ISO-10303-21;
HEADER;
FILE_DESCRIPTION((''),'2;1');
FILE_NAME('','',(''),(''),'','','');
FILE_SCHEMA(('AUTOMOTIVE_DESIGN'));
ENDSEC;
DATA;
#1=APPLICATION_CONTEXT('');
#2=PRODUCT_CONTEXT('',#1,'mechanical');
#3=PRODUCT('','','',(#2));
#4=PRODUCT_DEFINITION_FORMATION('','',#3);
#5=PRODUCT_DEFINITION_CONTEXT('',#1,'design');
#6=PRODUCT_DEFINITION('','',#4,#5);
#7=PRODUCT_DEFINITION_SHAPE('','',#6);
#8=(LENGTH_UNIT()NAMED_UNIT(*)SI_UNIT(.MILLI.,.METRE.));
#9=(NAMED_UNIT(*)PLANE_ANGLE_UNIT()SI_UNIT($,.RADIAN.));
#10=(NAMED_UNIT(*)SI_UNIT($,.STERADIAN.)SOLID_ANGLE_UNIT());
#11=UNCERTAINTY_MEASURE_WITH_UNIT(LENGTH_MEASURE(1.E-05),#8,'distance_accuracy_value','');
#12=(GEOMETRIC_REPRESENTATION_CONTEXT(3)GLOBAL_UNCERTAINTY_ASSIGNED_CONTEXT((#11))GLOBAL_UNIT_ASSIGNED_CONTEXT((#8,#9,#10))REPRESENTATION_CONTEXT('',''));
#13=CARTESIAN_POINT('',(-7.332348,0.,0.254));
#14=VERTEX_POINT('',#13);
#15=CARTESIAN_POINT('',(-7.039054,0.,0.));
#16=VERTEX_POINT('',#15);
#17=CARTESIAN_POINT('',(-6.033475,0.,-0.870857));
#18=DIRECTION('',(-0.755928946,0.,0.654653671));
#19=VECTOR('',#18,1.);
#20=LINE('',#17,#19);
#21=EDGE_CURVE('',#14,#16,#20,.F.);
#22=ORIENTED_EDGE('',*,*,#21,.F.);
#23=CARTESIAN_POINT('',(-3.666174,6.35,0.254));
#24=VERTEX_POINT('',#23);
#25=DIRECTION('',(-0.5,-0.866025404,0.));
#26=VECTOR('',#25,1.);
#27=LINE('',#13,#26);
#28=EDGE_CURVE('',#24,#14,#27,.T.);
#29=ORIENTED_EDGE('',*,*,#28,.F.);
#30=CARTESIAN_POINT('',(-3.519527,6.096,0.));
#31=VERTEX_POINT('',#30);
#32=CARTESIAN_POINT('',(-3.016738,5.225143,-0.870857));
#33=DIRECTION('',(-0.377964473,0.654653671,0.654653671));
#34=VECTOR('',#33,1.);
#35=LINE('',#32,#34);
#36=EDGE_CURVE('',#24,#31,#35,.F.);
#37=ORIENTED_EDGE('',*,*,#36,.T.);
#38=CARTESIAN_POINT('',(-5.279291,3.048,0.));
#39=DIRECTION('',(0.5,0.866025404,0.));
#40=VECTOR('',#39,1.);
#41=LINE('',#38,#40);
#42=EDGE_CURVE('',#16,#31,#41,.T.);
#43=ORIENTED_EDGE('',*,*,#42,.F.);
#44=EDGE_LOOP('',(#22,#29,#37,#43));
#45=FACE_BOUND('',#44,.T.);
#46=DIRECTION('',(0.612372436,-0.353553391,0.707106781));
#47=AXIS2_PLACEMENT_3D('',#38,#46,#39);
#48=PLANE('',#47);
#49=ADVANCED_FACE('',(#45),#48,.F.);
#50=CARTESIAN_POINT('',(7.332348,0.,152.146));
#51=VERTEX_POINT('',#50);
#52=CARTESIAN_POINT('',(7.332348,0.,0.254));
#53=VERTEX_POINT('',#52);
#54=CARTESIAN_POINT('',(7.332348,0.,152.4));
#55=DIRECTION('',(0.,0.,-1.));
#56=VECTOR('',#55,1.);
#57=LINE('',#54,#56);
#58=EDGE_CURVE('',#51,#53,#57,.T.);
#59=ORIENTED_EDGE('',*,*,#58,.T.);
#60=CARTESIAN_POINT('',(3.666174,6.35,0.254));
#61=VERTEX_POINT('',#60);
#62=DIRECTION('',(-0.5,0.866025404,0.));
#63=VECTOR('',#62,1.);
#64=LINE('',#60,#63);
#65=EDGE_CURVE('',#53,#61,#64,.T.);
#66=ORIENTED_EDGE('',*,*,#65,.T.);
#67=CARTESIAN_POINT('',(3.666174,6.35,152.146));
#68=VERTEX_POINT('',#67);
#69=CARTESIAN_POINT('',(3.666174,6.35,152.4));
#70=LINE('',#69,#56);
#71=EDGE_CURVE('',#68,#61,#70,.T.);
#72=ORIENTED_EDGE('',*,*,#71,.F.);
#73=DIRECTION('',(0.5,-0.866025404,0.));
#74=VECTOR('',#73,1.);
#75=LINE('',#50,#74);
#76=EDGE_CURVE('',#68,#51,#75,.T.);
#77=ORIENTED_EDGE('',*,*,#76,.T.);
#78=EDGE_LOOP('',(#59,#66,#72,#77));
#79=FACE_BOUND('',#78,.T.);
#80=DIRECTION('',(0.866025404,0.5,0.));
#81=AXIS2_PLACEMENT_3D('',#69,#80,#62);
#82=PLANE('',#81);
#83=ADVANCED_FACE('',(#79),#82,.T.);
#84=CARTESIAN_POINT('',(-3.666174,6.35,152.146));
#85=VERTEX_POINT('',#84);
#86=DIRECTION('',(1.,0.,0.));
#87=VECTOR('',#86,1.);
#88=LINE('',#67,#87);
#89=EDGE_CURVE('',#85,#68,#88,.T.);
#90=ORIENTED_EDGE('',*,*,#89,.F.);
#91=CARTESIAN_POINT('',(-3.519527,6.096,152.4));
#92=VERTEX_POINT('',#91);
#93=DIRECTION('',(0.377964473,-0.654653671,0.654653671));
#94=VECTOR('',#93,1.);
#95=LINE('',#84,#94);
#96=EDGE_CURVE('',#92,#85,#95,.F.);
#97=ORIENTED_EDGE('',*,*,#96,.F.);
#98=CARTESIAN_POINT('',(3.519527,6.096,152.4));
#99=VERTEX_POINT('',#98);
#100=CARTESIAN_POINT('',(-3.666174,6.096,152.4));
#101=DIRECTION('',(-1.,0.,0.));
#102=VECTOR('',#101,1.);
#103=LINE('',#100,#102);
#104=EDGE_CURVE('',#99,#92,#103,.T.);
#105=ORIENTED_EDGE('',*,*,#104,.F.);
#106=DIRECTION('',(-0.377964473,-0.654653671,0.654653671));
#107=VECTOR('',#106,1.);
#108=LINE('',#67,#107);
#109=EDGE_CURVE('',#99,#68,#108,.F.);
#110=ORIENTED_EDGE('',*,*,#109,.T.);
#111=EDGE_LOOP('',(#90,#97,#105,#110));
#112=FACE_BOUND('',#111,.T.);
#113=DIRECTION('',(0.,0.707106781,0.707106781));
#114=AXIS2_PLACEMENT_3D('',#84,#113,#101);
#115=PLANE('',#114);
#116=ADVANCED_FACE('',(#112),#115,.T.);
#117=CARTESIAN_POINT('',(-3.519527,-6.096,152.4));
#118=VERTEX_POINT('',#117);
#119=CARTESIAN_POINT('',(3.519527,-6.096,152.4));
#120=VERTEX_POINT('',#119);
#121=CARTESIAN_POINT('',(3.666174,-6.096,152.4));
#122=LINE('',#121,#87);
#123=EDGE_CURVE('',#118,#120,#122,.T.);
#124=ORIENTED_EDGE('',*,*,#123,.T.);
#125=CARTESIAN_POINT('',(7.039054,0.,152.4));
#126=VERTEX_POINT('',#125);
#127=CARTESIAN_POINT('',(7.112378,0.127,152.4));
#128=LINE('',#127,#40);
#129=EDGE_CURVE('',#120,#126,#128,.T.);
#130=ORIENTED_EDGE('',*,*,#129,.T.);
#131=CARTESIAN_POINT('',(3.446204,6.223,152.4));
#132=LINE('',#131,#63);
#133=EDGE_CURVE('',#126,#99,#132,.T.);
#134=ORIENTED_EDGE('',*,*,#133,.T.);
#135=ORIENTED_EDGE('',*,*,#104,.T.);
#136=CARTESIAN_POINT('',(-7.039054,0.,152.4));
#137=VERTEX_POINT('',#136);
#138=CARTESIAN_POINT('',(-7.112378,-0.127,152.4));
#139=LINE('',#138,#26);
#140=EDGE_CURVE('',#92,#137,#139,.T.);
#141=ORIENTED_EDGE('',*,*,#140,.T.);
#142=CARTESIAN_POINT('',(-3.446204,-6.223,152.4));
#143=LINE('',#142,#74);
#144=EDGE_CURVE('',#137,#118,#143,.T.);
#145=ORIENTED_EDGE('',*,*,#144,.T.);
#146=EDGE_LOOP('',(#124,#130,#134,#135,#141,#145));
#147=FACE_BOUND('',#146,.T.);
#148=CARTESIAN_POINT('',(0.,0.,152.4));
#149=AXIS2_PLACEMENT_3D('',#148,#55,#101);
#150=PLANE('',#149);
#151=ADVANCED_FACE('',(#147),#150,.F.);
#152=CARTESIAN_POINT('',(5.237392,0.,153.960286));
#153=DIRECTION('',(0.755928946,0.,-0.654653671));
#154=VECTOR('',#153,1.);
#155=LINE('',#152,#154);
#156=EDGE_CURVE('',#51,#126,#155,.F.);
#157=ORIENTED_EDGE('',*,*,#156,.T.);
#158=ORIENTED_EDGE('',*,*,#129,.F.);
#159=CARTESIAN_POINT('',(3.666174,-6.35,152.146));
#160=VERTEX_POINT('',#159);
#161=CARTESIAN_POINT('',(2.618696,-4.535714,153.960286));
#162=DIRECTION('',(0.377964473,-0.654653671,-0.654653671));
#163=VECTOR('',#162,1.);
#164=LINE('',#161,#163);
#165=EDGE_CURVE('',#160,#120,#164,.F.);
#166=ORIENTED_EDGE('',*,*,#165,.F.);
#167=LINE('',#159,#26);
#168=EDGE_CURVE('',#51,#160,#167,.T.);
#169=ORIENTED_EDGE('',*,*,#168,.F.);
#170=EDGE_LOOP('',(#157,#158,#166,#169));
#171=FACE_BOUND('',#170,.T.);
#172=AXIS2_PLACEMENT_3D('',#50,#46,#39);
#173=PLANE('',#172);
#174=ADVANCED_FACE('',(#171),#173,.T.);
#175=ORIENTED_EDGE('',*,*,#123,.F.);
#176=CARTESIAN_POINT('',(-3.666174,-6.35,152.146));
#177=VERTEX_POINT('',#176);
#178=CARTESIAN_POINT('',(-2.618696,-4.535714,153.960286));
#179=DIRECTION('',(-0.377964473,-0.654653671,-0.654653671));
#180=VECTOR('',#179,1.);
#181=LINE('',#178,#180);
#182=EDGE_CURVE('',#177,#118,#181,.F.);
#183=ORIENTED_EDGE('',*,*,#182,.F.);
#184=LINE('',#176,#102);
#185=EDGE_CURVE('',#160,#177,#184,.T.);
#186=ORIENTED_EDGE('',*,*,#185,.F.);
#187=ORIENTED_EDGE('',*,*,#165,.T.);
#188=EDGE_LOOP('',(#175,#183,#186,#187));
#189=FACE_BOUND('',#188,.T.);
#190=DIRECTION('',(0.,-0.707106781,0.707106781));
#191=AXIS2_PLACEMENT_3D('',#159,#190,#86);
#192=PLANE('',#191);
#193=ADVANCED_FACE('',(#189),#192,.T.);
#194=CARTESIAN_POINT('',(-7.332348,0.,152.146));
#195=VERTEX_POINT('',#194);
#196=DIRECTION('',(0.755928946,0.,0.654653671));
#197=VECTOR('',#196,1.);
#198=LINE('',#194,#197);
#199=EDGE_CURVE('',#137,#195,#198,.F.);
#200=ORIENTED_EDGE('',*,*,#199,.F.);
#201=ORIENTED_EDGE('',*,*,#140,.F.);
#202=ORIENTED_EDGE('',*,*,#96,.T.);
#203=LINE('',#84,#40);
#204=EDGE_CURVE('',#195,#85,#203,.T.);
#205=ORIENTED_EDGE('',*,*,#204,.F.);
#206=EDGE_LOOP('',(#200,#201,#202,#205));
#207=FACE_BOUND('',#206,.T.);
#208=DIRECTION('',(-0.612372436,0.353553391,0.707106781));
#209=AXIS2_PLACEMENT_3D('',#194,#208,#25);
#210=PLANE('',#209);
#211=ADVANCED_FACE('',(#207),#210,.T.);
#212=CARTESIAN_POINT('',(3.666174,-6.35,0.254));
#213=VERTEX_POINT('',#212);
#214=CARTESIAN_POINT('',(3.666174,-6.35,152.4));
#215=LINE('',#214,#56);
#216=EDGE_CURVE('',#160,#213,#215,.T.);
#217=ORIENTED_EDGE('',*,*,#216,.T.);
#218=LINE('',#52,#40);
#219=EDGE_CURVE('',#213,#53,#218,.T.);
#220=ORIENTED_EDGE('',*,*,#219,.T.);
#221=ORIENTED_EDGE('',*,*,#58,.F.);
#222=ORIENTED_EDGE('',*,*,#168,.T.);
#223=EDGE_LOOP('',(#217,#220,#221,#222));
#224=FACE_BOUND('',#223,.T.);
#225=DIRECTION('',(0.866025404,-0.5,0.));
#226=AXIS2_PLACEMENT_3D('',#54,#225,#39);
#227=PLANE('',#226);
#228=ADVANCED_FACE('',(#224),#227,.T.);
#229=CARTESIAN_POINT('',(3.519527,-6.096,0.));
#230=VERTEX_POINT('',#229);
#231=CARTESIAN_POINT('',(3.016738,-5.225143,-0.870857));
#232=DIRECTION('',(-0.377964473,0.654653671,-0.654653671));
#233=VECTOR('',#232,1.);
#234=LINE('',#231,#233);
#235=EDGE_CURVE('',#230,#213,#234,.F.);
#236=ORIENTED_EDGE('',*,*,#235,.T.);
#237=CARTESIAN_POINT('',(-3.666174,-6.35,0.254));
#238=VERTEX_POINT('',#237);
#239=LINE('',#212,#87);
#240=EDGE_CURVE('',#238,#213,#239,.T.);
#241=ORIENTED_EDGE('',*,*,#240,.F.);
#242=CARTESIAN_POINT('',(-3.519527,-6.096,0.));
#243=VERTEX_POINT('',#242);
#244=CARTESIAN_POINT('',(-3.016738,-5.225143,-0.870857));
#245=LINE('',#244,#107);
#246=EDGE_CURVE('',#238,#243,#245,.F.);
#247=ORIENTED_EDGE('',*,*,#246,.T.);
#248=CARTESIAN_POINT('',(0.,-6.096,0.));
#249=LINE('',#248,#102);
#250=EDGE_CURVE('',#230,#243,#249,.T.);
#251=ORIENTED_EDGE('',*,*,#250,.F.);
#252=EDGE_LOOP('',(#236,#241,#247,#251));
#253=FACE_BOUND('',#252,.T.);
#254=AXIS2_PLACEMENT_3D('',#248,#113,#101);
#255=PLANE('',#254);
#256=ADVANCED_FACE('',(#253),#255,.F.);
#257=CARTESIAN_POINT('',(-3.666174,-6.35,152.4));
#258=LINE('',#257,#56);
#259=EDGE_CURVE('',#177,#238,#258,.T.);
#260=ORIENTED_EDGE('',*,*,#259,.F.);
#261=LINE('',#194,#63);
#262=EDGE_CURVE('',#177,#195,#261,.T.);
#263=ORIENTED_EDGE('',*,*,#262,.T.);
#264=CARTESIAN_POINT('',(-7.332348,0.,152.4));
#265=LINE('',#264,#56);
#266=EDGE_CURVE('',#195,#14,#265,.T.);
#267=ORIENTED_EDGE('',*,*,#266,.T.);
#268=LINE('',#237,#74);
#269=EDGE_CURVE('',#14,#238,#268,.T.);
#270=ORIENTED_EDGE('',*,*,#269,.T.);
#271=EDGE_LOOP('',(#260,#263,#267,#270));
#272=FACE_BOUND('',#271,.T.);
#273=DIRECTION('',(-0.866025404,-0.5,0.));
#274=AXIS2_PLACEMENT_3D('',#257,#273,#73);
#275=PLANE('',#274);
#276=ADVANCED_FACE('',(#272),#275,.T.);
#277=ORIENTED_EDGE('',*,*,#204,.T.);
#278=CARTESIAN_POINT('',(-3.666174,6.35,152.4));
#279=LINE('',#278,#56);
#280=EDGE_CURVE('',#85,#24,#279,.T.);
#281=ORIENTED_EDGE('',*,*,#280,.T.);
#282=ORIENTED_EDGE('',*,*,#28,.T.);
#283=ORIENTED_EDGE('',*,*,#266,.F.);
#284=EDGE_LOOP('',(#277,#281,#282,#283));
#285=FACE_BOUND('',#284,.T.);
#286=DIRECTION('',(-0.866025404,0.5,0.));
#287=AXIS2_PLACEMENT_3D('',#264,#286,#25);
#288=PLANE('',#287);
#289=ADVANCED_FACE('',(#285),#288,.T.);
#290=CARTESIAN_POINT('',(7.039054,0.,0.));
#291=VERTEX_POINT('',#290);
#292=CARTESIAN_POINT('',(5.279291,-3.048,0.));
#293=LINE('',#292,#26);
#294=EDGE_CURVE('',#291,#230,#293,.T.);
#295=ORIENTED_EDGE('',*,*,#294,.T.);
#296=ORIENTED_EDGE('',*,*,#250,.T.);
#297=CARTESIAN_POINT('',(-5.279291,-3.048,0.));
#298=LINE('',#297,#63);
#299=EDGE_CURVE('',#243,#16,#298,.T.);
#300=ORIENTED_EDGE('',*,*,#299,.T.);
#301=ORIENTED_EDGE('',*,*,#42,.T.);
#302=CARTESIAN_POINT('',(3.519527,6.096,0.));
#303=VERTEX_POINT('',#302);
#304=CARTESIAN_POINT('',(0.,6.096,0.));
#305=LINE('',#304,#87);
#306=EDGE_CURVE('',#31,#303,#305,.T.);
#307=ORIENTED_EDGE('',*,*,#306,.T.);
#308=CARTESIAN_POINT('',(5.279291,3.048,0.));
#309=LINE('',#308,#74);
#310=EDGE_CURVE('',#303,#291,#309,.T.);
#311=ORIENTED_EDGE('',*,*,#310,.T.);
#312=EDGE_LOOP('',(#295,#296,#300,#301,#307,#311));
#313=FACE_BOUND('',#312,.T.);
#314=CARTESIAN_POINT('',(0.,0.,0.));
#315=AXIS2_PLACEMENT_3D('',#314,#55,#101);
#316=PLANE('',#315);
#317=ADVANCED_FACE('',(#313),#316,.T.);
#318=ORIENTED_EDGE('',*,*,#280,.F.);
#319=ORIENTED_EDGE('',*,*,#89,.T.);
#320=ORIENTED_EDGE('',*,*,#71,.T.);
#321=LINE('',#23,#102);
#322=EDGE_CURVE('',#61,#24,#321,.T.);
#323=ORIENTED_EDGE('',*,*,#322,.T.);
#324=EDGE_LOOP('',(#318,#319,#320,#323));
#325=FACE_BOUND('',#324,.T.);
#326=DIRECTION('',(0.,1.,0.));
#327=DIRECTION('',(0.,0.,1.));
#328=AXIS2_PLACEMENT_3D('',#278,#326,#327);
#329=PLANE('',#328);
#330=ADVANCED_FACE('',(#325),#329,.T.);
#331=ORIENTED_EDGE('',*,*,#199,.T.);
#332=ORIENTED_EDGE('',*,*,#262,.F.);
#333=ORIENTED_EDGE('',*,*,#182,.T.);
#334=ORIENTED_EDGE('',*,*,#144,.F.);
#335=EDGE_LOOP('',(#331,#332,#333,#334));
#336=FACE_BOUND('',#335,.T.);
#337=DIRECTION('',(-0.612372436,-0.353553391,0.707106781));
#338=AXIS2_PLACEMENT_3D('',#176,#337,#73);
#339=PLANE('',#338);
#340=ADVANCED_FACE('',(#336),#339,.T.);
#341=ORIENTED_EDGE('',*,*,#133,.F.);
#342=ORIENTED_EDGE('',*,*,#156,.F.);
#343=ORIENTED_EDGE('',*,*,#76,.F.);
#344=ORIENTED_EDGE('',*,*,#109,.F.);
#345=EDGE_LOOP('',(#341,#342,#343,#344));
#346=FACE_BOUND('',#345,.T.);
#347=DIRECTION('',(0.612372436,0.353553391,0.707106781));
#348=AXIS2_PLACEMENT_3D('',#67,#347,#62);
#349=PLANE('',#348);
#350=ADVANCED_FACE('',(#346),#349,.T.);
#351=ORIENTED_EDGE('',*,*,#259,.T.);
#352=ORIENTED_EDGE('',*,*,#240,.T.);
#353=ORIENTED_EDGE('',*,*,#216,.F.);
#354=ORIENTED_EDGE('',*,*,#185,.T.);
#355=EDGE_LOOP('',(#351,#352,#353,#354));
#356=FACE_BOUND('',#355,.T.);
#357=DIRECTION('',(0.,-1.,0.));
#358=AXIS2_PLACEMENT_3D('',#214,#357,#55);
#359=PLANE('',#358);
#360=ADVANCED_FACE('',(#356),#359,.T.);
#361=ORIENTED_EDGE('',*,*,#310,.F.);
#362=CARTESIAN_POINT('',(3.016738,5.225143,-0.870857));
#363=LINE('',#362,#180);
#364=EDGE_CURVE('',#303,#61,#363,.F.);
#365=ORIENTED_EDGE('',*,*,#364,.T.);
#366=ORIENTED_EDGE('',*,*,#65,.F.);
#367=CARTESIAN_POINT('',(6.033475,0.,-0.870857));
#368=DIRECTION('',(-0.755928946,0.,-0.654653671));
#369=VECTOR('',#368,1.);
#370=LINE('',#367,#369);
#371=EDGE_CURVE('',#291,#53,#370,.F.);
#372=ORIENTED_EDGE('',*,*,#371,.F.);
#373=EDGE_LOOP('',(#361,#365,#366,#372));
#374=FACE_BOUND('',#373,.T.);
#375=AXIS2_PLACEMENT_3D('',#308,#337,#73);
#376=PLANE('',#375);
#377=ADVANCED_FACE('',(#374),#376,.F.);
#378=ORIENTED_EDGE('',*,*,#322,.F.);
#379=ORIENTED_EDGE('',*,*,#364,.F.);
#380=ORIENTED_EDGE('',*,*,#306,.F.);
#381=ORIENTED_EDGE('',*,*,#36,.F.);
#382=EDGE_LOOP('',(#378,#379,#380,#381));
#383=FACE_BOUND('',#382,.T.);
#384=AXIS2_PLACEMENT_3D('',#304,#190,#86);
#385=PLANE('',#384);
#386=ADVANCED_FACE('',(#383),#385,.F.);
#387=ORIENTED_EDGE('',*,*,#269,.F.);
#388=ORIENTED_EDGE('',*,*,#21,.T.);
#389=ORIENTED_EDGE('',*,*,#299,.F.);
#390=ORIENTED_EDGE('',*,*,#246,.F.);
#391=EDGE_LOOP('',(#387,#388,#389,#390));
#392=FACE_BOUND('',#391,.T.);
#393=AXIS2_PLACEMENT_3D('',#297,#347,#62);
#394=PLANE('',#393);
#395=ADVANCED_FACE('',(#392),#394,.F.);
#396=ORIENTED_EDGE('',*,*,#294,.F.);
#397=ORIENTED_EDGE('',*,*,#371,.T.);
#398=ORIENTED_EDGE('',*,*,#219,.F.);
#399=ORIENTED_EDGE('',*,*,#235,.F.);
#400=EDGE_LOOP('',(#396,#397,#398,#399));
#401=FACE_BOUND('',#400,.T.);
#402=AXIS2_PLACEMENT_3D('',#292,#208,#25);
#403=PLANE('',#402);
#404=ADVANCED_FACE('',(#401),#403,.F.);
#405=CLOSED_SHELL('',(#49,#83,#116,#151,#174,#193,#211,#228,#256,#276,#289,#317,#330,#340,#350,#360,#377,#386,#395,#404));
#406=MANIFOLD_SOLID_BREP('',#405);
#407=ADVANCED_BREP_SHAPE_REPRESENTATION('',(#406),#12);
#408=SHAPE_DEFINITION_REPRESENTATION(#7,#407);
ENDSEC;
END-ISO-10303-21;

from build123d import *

# Parameters (mm, degrees)
BOSS_EXTRUDE1_DEPTH = 152.4
CHAMFER1_SIZE       = 0.254


with BuildPart() as part:
    # Sketch1 → Boss-Extrude1 (new body)
    with BuildSketch(Plane(origin=(0, 0, 0), x_dir=(-1, 0, 0), z_dir=(0, 0, -1))):
        Polygon((3.666174209, 6.35), (-3.666174209, 6.35), (-7.332348419, 0), (-3.666174209, -6.35), (3.666174209, -6.35), (7.332348419, 0), align=None)
    extrude(amount=-BOSS_EXTRUDE1_DEPTH)

    # Chamfer1
    chamfer1_edges = [part.edges().sort_by_distance(p)[0] for p in [
        (5.499261314, 3.175, 152.4),
        (5.499261314, -3.175, 152.4),
        (0, -6.35, 152.4),
        (-5.499261314, -3.175, 152.4),
        (-5.499261314, 3.175, 152.4),
        (-5.499261314, -3.175, 0),
        (0, -6.35, 0),
        (5.499261314, -3.175, 0),
        (5.499261314, 3.175, 0),
        (0, 6.35, 0),
        (-5.499261314, 3.175, 0),
        (0, 6.35, 152.4),
    ]]
    chamfer(chamfer1_edges, length=CHAMFER1_SIZE)


solid = part.part
